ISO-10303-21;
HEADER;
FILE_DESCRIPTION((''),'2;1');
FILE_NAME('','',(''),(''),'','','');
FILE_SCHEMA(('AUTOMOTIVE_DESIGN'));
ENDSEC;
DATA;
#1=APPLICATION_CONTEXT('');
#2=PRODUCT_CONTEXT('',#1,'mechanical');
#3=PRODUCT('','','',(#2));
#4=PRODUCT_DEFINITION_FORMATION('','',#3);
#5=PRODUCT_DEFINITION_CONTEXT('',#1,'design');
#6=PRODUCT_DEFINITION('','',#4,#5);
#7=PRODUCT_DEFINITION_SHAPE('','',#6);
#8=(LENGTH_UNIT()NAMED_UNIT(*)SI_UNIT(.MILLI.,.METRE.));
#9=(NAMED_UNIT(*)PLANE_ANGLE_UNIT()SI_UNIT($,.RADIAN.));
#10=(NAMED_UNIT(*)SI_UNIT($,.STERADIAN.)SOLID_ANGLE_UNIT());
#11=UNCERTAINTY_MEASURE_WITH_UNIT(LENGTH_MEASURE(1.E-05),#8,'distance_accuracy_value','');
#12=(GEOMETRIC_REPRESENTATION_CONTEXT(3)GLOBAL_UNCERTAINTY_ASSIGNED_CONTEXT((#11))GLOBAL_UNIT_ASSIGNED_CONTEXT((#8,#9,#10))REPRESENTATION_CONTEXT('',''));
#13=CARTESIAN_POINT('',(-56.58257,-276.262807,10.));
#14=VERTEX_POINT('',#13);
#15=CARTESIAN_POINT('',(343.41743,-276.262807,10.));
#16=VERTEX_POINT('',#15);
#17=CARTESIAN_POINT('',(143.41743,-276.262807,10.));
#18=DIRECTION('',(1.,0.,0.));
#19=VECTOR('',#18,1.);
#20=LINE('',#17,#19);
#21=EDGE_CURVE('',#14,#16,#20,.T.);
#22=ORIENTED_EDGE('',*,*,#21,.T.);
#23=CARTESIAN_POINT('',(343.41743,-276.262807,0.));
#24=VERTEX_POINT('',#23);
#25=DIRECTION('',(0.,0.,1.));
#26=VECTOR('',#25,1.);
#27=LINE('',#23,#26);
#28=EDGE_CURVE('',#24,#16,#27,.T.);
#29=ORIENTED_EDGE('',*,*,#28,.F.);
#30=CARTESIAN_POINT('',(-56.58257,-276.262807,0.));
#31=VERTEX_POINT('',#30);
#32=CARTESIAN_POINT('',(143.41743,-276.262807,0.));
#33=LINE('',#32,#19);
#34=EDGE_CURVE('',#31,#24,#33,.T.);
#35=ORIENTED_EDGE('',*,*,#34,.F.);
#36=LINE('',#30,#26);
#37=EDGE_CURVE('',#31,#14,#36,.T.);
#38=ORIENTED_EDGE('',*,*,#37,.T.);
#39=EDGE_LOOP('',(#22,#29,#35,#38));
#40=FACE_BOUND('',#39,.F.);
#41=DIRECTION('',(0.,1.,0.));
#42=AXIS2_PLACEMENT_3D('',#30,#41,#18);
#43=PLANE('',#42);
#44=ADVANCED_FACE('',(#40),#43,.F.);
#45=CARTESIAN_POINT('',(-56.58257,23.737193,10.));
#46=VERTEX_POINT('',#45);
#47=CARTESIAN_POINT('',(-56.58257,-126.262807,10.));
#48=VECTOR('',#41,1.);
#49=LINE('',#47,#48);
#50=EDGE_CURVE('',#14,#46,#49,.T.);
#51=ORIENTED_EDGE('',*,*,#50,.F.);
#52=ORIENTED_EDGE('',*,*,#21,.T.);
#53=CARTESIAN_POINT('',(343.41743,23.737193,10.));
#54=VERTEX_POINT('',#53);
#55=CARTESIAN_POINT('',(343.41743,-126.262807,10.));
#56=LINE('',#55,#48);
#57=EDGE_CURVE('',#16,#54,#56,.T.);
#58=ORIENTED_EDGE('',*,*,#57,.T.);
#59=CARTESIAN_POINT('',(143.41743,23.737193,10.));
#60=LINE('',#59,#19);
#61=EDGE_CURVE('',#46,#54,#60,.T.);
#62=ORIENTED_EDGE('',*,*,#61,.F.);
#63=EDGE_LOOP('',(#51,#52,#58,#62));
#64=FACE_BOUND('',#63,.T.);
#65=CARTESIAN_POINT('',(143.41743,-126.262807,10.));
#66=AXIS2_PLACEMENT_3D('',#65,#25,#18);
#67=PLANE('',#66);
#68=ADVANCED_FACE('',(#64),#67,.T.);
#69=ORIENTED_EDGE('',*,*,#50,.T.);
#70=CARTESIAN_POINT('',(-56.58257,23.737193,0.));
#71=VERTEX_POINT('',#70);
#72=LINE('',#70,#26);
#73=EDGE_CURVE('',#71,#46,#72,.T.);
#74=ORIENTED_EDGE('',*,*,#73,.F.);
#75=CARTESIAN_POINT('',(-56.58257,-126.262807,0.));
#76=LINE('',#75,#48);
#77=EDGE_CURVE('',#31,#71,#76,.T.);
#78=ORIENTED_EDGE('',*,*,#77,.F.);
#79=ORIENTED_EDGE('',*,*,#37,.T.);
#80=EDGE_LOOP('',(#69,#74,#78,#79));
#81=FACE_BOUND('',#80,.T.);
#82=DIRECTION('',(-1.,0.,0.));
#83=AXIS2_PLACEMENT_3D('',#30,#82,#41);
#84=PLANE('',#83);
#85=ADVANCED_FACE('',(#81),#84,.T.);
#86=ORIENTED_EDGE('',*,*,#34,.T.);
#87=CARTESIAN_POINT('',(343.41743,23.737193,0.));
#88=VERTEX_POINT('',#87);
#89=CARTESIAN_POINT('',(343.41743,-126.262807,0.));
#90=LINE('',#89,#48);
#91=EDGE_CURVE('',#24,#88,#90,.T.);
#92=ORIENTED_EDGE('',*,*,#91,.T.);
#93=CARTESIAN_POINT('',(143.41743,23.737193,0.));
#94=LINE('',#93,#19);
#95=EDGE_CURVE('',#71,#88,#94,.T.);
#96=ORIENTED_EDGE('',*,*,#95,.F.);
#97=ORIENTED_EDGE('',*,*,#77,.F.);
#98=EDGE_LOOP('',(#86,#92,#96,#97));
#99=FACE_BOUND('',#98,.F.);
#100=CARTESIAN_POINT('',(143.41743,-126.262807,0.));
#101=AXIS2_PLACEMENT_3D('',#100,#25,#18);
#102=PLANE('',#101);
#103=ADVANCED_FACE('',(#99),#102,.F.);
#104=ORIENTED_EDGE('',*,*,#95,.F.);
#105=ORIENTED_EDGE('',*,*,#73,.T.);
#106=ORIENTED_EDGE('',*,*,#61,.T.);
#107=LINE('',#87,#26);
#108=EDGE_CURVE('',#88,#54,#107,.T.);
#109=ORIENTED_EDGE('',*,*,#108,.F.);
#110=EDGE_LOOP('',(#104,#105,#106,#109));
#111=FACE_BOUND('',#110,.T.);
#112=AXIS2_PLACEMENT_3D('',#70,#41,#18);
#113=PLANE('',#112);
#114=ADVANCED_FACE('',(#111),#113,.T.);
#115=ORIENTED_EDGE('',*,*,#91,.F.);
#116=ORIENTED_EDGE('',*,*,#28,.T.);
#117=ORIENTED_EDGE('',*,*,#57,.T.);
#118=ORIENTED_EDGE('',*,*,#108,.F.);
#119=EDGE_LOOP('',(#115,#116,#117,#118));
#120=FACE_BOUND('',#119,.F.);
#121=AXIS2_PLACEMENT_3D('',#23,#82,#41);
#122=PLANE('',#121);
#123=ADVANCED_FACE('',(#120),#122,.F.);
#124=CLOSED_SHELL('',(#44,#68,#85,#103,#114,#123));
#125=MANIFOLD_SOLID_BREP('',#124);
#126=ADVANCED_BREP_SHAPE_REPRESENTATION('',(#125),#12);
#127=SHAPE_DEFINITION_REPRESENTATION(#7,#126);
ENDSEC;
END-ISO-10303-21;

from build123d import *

# Parameters (mm, degrees)
SKETCH_1_W      = 400
SKETCH_1_H      = 300
EXTRUDE_1_DEPTH = 10


with BuildPart() as part:
    # 草图1 → 凸台-拉伸1 (new body)
    with BuildSketch(Plane.XY):
        with Locations((143.417429749, -126.262807225)):
            Rectangle(SKETCH_1_W, SKETCH_1_H)
    extrude(amount=EXTRUDE_1_DEPTH)


solid = part.part
